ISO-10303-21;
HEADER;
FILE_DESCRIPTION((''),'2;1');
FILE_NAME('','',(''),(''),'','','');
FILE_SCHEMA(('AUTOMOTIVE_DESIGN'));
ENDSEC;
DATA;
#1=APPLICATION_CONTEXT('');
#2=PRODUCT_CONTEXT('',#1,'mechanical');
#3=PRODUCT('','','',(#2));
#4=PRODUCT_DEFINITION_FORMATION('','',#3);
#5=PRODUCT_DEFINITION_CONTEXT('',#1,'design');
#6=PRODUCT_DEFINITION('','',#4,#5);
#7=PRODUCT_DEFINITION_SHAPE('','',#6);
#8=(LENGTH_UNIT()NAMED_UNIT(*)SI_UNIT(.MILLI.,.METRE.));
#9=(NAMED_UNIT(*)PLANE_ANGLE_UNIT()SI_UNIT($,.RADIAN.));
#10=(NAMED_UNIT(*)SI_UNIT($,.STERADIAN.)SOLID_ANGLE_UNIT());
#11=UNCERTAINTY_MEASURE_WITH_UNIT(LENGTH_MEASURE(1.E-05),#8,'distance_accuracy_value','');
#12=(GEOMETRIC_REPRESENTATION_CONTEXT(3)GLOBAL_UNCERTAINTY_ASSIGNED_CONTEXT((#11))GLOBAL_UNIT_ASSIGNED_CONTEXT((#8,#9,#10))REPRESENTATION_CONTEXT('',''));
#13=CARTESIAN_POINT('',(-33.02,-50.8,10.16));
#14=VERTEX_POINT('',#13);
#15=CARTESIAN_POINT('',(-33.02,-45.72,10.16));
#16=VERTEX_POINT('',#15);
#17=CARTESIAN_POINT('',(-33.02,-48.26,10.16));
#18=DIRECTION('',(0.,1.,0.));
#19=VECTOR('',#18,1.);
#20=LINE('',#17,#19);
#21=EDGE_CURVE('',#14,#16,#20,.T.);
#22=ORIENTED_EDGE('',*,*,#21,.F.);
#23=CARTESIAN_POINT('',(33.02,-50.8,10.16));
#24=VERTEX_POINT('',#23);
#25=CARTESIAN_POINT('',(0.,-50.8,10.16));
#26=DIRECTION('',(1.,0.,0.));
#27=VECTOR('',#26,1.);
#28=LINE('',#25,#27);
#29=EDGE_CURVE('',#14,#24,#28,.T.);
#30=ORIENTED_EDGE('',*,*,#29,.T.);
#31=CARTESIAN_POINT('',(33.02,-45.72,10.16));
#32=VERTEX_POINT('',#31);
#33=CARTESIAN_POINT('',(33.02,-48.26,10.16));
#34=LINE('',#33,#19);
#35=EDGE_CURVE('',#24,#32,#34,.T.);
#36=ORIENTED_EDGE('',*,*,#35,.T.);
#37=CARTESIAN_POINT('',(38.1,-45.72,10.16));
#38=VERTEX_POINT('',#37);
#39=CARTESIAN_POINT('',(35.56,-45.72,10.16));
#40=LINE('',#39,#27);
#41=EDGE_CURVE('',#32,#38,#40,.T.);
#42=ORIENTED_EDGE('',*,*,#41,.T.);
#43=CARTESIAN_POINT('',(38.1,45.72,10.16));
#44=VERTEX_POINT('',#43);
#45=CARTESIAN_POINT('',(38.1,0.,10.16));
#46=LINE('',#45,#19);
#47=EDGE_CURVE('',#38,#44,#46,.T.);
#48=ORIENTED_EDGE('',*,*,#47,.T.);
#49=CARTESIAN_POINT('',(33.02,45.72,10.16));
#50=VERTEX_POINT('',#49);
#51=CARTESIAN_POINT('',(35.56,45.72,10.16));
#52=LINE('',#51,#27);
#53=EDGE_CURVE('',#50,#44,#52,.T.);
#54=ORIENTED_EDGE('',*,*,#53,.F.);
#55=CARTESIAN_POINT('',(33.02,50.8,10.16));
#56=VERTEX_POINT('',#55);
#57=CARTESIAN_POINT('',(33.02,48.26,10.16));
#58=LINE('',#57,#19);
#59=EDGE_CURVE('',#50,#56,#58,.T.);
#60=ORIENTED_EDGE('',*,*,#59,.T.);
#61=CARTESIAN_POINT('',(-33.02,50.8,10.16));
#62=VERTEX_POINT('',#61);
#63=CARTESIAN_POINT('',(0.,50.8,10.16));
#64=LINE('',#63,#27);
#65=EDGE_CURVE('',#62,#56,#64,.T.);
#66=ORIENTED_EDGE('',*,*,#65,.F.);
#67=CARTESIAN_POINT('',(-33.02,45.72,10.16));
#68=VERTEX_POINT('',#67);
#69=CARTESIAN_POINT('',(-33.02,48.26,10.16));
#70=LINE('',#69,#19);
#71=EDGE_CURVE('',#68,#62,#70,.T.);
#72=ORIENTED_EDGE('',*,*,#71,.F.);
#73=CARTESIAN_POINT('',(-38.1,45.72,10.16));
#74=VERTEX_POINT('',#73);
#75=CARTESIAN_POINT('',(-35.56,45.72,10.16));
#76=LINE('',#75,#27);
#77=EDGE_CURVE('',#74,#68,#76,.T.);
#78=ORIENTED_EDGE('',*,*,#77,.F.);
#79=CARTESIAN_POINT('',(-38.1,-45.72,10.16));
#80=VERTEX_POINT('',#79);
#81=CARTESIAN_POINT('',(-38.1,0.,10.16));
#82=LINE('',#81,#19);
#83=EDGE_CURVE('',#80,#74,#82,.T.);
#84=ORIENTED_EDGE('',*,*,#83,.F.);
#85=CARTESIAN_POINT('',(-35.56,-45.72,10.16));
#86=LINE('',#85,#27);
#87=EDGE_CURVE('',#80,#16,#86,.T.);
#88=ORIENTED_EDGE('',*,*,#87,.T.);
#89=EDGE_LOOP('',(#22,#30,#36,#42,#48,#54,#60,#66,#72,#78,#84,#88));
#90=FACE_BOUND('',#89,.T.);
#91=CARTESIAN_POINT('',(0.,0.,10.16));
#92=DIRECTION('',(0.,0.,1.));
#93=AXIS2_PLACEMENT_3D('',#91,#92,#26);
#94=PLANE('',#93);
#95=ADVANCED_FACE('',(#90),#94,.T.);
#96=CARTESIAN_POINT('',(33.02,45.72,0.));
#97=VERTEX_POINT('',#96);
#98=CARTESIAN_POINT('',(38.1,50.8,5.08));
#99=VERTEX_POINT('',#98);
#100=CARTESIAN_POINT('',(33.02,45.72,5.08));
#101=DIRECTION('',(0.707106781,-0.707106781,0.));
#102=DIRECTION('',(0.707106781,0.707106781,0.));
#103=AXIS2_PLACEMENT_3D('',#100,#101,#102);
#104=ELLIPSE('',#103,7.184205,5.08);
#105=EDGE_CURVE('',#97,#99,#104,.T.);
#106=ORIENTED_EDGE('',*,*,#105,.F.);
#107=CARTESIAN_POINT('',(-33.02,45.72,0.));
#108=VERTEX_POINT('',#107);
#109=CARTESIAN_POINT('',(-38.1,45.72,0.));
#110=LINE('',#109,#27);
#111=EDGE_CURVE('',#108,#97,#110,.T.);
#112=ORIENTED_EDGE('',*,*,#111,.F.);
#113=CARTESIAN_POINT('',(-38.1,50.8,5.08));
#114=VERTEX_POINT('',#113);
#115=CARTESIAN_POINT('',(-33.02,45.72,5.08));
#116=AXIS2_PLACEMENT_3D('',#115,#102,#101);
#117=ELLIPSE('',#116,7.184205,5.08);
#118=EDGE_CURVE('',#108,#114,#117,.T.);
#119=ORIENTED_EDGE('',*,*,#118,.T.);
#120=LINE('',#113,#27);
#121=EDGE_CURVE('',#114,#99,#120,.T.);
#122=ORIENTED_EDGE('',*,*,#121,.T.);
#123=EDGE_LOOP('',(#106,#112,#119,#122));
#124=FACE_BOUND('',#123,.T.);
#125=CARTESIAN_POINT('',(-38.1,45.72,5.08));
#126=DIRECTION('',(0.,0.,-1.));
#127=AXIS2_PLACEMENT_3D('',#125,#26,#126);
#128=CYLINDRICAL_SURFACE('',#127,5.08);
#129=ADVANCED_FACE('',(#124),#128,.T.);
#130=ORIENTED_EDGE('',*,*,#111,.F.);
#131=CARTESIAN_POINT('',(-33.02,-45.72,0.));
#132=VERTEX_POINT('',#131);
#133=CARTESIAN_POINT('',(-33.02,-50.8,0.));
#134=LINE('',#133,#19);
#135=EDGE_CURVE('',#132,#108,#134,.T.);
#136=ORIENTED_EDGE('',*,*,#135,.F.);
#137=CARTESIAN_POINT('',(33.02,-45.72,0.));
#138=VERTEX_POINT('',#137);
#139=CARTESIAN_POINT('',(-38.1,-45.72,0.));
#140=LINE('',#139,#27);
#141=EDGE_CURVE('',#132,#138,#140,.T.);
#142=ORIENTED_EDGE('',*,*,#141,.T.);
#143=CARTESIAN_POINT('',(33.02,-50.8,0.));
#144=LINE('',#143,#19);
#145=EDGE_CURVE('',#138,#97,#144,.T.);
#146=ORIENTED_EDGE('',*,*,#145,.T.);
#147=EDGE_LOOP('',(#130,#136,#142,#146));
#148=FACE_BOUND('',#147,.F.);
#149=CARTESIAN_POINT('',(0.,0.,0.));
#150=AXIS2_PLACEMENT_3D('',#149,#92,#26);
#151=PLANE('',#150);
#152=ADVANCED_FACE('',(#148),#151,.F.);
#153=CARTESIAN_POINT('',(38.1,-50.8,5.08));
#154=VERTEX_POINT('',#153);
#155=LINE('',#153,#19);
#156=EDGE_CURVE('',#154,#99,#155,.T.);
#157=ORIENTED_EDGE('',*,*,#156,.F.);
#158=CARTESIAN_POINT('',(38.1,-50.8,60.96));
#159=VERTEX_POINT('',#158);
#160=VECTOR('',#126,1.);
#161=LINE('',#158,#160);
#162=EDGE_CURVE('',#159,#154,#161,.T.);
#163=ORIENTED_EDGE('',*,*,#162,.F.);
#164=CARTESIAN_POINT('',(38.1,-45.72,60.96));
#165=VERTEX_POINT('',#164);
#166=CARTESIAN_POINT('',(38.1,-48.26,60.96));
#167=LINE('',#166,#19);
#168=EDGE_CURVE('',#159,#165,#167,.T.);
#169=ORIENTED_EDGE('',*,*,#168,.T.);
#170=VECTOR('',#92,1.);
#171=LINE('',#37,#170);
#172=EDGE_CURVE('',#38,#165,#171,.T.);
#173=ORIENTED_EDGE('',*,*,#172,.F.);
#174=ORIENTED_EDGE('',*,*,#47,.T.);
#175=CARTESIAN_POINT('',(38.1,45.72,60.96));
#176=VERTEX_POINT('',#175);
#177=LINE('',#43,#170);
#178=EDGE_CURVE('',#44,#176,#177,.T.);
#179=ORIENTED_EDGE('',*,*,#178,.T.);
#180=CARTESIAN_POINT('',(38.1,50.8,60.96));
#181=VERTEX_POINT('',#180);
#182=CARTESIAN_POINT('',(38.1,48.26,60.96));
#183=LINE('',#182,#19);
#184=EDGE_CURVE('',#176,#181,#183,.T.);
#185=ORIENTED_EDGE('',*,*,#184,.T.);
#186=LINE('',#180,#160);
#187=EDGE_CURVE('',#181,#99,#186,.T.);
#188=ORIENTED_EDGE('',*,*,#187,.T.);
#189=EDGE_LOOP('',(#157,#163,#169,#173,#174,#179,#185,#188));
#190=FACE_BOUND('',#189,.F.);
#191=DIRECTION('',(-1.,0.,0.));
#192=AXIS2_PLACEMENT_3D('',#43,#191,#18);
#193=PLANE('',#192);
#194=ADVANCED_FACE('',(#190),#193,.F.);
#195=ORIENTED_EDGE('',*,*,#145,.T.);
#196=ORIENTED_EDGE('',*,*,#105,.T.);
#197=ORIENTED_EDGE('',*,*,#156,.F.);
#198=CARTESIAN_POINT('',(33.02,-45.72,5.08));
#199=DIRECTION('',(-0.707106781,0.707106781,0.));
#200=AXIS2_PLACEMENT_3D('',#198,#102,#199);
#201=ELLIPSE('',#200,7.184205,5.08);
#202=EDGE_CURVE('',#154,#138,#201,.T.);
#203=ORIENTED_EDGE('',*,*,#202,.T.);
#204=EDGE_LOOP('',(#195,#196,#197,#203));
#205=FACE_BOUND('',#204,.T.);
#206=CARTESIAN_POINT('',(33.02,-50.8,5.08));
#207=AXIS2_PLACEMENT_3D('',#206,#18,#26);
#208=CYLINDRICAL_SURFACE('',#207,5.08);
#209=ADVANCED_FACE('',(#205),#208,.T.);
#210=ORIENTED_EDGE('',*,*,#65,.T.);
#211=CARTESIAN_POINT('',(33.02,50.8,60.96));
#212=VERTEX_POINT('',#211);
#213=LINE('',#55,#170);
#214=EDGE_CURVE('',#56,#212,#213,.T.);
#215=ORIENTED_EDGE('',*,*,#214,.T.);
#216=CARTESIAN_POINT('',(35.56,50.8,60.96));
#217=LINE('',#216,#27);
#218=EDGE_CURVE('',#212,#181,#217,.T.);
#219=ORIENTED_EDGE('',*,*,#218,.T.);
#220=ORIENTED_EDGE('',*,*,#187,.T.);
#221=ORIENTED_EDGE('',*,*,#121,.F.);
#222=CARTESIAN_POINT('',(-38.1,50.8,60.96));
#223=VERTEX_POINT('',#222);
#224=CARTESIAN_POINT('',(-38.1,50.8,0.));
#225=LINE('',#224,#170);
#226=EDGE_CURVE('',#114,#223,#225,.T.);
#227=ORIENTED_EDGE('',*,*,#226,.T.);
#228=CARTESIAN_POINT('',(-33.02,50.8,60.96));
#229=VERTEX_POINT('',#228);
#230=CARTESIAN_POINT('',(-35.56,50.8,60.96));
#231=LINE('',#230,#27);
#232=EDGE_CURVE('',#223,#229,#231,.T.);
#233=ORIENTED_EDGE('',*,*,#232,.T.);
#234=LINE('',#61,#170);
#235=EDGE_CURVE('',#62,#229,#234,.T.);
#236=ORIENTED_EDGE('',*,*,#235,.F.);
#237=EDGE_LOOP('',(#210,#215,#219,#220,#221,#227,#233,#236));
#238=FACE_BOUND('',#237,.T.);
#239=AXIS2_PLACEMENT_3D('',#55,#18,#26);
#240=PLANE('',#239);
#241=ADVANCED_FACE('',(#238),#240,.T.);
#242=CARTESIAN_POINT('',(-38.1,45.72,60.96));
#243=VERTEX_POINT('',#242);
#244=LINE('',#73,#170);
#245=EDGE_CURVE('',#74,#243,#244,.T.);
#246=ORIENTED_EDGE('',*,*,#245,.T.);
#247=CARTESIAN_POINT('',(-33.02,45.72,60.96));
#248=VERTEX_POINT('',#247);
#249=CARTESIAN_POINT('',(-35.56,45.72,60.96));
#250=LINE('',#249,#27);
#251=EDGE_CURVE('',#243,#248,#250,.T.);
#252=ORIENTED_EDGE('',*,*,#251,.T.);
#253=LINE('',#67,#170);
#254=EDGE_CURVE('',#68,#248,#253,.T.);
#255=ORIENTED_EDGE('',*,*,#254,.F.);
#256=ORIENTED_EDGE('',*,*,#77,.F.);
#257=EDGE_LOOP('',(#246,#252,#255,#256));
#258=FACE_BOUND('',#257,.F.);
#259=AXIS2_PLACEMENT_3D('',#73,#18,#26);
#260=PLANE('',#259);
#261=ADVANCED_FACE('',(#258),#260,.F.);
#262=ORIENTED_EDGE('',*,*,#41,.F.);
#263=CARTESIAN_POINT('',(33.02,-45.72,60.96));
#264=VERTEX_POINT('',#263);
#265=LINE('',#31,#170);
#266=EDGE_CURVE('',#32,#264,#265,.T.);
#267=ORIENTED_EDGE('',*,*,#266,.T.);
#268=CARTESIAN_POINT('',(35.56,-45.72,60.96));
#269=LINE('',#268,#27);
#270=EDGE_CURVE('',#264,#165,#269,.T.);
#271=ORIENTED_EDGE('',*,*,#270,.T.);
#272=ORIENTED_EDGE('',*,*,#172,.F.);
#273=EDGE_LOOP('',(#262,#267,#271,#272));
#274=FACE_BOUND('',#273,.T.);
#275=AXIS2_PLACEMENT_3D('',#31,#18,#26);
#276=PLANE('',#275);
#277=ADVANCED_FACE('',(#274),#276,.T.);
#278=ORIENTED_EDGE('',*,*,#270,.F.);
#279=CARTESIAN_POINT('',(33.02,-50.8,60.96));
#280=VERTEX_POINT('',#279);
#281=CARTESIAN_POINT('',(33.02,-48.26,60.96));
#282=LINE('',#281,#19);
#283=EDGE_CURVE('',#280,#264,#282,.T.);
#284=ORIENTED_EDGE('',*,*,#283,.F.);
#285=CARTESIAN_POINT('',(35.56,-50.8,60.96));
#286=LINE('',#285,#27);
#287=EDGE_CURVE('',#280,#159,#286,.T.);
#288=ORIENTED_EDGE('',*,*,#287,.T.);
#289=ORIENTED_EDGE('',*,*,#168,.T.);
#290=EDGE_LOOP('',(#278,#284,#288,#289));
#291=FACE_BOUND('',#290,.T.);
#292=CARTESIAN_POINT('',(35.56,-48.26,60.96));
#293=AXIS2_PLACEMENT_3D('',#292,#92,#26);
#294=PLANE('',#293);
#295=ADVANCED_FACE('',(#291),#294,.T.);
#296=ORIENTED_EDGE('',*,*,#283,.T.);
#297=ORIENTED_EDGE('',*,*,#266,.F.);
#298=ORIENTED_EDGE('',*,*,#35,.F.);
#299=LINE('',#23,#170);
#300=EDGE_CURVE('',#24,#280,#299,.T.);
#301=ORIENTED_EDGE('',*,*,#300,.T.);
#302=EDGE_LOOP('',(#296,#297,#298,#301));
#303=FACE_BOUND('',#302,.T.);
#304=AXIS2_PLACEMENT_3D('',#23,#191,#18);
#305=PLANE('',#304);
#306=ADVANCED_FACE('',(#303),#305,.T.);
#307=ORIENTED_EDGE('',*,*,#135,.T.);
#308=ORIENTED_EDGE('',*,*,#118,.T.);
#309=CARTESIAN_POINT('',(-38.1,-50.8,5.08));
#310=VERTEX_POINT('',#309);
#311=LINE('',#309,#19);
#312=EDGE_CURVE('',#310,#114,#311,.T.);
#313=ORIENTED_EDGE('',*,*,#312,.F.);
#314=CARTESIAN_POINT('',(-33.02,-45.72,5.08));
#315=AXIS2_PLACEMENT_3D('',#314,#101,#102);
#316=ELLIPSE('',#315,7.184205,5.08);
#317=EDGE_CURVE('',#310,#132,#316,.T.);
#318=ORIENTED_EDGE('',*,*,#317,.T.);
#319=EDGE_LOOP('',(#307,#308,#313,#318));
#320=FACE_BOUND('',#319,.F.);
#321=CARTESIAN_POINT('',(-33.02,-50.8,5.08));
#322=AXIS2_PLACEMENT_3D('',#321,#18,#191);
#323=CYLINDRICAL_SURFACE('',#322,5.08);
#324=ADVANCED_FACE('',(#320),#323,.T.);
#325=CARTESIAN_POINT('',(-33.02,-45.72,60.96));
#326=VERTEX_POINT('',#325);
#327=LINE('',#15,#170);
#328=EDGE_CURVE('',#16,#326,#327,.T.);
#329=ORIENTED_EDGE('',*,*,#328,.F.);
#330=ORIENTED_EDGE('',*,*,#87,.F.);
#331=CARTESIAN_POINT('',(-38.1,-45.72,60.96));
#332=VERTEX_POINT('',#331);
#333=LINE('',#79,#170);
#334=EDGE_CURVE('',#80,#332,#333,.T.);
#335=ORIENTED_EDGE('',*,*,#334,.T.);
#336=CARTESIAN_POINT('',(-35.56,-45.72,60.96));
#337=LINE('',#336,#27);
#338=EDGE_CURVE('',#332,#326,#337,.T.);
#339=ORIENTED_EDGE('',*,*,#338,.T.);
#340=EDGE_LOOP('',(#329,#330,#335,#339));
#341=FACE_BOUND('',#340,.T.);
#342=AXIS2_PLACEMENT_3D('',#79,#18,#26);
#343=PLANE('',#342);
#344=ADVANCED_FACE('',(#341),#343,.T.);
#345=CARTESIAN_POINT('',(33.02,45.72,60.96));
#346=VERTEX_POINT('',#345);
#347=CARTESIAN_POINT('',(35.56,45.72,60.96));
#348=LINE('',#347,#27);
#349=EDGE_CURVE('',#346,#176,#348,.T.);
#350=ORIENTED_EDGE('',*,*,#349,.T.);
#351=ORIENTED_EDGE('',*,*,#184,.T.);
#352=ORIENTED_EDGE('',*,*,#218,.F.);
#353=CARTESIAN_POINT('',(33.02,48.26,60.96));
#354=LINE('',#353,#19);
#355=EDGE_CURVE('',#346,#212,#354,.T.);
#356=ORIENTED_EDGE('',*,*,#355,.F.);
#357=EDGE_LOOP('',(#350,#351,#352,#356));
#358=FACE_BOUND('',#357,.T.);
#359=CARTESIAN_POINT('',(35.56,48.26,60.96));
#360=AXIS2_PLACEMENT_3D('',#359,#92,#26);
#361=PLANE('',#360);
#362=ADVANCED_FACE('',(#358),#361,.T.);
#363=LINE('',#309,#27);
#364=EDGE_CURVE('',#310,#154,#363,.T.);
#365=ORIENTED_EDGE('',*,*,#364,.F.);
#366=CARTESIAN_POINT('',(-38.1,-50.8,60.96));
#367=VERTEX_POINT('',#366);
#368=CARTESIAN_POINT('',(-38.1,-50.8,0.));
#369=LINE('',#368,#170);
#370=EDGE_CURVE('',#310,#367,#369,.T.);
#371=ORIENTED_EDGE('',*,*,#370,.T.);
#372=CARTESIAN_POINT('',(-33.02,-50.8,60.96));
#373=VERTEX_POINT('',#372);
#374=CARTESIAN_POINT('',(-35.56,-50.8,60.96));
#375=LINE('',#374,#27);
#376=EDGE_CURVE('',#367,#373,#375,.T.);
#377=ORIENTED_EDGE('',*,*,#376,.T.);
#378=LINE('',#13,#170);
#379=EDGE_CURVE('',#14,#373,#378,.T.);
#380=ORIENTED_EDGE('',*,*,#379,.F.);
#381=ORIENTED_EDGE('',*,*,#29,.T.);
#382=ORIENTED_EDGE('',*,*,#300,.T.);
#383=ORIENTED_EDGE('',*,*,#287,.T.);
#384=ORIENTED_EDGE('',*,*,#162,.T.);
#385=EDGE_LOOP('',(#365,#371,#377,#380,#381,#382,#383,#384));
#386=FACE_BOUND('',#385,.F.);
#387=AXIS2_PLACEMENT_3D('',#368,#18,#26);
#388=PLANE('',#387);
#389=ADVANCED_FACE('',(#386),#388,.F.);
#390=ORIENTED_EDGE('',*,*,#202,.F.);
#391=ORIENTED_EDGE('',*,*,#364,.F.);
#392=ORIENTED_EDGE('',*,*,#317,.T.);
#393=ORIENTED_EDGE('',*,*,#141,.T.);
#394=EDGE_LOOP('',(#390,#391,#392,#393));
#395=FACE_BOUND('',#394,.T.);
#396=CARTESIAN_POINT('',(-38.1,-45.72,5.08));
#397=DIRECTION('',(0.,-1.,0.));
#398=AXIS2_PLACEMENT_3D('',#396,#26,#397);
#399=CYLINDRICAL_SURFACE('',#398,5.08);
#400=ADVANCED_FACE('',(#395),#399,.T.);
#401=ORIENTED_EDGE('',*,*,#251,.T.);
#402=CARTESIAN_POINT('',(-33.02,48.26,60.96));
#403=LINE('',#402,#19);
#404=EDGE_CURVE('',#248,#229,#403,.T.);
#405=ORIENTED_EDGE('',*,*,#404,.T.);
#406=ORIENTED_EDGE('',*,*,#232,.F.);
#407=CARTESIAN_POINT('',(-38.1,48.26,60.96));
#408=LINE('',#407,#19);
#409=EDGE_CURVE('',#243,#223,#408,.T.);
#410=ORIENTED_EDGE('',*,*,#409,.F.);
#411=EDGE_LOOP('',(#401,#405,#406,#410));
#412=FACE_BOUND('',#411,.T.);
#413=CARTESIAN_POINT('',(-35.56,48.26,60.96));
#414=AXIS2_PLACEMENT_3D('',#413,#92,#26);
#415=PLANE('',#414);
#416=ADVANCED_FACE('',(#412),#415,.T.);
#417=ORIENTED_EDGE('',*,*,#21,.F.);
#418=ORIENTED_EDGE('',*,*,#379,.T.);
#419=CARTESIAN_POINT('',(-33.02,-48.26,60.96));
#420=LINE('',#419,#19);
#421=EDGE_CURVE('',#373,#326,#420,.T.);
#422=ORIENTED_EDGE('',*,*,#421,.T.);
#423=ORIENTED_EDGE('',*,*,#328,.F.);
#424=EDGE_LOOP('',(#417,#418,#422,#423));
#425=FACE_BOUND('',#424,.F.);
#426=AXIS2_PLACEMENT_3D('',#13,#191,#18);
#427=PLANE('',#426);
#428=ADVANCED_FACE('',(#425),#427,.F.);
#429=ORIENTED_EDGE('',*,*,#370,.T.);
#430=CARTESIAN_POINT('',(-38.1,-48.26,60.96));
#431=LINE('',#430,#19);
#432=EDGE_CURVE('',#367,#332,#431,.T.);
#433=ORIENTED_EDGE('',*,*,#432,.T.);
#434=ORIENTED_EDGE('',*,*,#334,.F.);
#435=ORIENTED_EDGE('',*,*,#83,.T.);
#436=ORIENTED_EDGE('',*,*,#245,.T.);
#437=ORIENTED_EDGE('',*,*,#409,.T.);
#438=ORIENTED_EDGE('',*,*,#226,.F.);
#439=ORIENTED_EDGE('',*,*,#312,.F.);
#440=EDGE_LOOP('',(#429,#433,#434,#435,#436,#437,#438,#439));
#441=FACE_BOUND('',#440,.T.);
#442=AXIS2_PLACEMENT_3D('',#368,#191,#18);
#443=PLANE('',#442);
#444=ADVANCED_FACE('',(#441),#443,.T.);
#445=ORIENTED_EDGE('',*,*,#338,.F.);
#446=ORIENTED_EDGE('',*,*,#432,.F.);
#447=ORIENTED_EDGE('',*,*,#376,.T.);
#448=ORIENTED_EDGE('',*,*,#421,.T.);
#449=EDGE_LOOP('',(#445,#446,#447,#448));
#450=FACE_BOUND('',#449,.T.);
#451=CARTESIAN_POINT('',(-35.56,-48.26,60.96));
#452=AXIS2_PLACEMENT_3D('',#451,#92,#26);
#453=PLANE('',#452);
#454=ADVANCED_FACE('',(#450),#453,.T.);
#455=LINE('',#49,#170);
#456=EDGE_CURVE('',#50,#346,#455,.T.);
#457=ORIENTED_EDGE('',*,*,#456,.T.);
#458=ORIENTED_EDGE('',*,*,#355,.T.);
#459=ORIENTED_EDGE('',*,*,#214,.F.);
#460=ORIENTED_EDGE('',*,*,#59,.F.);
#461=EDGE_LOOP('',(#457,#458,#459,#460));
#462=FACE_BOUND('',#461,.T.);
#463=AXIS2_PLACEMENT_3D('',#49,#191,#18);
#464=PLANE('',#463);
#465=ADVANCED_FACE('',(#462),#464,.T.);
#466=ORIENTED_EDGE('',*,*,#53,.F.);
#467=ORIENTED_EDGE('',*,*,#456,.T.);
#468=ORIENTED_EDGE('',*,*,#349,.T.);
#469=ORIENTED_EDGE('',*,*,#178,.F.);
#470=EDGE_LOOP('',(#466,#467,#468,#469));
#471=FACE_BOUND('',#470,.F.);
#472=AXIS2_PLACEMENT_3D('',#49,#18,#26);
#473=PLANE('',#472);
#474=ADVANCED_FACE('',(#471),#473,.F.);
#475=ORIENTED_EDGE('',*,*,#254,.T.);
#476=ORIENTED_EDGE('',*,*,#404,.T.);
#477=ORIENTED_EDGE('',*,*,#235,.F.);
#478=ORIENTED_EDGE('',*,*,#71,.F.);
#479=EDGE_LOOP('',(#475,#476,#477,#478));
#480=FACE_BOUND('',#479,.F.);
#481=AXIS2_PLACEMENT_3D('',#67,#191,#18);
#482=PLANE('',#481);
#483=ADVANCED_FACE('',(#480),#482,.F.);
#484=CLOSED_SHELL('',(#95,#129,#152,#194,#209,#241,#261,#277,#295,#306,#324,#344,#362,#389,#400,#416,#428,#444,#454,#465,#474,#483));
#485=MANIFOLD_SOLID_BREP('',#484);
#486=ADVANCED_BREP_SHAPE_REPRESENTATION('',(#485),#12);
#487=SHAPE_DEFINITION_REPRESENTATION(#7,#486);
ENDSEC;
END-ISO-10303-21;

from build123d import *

# Parameters (mm, degrees)
F0_W     = 76.2
F0_H     = 101.6
F1_DEPTH = 10.16
F2_W     = 5.08
F2_H     = 5.08
F3_DEPTH = 50.8
F4_R     = 5.08


with BuildPart() as f1:
    # F0 (on Top) → F1 (new body)
    with BuildSketch(Plane.XY):
        Rectangle(F0_W, F0_H)
    extrude(amount=F1_DEPTH)

    # F2 (on face) → F3 (join)
    with BuildSketch(Plane.XY.offset(10.16)):
        with Locations((35.56, 48.26)):
            Rectangle(F2_W, F2_H)
        with Locations((35.56, -48.26)):
            Rectangle(F2_W, F2_H)
        with Locations((-35.56, 48.26)):
            Rectangle(F2_W, F2_H)
        with Locations((-35.56, -48.26)):
            Rectangle(F2_W, F2_H)
    extrude(amount=F3_DEPTH)

    # F4
    f4_edges = [f1.edges().sort_by_distance(p)[0] for p in [
        (0, 50.8, 0),
        (38.1, 0, 0),
        (0, -50.8, 0),
        (-38.1, 0, 0),
    ]]
    fillet(f4_edges, radius=F4_R)


solid = f1.part
